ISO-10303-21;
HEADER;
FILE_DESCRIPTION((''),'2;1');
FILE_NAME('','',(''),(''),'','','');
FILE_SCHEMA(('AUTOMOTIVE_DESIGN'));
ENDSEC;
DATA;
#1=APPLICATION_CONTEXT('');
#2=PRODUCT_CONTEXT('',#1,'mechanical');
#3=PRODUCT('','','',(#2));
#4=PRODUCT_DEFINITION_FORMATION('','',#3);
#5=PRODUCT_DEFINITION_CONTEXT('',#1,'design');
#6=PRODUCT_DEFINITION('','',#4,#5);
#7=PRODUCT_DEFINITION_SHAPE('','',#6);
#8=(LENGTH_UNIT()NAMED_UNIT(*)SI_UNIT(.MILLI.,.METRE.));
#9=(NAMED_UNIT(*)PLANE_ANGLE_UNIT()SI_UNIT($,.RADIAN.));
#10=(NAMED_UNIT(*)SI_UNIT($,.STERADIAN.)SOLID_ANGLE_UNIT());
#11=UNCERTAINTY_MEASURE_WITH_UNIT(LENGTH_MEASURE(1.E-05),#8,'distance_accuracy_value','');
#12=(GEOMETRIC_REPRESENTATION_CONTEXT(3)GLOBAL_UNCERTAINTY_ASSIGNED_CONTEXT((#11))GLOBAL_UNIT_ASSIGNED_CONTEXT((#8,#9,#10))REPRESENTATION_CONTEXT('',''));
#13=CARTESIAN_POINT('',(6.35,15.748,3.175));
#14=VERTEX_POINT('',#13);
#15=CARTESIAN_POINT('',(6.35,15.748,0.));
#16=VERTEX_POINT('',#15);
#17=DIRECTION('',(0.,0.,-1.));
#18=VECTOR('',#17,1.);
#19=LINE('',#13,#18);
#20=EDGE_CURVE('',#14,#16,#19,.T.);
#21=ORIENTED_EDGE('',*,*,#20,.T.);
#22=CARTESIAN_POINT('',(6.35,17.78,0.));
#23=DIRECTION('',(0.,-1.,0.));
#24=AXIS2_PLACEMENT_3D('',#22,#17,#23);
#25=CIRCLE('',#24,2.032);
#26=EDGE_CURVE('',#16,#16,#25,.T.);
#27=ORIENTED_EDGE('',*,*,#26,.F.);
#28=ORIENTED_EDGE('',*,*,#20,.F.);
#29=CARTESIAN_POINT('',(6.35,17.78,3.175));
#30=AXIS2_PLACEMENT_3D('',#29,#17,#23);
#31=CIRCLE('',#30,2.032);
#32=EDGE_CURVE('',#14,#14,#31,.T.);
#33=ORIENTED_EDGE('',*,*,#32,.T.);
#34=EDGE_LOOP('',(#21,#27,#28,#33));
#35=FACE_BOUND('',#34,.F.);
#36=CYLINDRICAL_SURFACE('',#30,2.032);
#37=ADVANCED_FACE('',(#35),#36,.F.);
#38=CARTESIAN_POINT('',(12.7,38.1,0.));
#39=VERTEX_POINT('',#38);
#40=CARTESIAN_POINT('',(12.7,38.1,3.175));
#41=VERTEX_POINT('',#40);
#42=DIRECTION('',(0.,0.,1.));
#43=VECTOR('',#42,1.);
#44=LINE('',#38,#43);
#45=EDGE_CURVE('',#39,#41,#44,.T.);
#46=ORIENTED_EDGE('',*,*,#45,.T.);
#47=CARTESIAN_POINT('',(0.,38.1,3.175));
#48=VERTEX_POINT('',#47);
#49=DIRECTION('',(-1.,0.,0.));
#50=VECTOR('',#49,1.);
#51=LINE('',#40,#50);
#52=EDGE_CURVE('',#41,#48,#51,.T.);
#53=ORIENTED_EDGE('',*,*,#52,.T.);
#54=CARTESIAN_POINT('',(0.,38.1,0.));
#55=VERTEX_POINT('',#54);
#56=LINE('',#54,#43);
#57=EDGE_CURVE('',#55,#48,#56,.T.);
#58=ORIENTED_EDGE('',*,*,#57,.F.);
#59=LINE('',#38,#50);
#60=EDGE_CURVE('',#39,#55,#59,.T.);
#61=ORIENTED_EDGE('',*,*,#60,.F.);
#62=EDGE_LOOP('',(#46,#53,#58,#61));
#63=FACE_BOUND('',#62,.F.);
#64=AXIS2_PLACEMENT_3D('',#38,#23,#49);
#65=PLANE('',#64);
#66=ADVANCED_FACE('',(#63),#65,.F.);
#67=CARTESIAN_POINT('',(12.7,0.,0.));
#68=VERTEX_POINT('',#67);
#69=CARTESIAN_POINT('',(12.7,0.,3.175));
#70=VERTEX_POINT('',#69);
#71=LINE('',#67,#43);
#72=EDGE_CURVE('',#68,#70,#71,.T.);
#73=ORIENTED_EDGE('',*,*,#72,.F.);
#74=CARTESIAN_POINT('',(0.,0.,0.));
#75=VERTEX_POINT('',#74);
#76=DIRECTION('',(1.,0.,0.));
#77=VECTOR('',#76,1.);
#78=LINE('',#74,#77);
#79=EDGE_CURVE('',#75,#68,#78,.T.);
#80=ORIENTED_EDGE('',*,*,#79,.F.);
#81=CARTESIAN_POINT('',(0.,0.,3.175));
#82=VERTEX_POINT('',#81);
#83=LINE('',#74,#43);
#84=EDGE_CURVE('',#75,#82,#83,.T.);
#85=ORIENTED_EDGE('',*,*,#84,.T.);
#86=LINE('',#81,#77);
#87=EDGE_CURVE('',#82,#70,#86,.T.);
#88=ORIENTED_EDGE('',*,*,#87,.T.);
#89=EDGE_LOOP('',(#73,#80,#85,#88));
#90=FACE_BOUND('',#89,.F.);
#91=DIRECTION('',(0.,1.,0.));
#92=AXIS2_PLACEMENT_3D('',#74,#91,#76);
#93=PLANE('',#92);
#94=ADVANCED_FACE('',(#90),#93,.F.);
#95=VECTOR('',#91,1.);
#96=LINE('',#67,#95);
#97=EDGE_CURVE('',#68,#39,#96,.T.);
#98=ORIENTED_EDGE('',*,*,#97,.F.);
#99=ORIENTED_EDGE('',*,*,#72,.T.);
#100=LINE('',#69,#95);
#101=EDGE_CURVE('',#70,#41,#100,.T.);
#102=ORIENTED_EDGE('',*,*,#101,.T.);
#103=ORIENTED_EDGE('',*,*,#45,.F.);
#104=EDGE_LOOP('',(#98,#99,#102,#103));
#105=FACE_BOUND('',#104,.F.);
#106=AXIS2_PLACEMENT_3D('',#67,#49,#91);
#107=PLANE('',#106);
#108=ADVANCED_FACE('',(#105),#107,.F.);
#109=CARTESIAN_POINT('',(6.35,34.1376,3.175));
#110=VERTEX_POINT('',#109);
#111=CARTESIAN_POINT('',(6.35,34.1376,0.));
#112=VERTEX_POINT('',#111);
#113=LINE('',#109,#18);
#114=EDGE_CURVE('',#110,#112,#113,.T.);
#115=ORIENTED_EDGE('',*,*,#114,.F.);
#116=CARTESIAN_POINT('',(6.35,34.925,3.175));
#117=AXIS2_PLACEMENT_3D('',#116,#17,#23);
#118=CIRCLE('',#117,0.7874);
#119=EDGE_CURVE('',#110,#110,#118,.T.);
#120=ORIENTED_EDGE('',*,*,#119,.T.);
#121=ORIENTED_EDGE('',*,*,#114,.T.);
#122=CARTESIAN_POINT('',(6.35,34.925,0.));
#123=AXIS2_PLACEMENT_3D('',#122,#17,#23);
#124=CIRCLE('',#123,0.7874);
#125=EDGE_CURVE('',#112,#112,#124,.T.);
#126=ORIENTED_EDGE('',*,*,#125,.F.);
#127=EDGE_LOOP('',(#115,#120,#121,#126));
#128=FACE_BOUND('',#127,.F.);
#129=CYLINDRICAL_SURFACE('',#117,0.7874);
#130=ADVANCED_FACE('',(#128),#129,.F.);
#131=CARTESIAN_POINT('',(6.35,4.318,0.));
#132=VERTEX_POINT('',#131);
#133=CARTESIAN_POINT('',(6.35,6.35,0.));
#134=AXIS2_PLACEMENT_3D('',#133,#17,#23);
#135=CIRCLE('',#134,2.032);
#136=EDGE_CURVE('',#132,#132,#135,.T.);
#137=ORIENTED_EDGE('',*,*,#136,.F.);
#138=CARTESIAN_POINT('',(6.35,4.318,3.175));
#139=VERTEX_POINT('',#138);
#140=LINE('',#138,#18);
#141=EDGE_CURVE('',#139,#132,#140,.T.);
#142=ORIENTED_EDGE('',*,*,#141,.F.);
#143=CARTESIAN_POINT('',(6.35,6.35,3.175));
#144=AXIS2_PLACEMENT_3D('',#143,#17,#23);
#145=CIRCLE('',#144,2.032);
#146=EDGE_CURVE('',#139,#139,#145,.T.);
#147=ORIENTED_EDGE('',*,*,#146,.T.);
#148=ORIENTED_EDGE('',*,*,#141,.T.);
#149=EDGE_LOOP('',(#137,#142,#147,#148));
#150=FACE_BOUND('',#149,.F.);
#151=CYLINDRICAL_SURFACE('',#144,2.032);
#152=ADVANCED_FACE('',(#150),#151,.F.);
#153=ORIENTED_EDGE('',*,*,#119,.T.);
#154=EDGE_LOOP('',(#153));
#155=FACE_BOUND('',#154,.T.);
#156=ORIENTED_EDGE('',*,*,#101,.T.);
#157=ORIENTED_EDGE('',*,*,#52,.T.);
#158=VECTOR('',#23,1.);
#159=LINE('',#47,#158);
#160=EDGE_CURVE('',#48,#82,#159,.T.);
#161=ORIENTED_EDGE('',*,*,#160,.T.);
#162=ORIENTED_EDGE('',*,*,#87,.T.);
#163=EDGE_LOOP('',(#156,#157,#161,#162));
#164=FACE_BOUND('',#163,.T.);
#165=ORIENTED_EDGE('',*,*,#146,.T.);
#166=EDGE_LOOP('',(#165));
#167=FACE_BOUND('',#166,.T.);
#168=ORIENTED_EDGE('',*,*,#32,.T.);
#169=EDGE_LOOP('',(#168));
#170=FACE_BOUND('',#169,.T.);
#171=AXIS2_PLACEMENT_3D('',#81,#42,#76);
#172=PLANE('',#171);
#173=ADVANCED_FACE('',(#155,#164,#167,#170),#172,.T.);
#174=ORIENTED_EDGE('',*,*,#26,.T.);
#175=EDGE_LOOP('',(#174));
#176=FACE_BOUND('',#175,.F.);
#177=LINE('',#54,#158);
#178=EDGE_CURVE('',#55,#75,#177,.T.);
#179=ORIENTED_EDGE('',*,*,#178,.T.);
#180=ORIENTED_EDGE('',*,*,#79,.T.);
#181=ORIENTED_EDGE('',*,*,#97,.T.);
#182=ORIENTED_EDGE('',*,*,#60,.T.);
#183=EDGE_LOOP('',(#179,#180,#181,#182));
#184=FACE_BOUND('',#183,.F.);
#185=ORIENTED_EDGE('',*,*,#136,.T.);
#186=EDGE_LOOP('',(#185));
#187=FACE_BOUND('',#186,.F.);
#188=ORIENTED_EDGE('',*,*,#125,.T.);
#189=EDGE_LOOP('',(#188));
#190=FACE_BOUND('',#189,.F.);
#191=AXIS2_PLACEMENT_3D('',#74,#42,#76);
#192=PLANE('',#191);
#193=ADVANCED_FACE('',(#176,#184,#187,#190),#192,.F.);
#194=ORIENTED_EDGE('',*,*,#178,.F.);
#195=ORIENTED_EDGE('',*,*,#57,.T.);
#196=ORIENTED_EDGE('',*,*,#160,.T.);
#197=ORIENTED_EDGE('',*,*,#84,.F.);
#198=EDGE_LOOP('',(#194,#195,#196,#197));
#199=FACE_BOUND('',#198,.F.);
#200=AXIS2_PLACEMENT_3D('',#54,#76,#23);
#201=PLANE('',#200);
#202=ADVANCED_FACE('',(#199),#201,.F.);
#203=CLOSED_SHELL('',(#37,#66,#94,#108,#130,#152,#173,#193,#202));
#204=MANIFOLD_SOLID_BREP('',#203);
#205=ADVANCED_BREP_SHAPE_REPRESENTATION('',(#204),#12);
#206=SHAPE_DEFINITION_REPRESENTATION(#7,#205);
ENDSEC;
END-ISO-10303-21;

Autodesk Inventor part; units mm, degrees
ref_plane "YZ Plane" through (0, 0, 0) normal (1, 0, 0) x (0, 1, 0)
ref_plane "XZ Plane" through (0, 0, 0) normal (0, 1, 0) x (-1, 0, 0)
ref_plane "XY Plane" through (0, 0, 0) normal (0, 0, 1) x (1, 0, 0)
sketch "Sketch1" plane through (0, 0, 0) normal (0, 0, 1) x (1, 0, 0)
  line L0 (0, 0) -> (12.7, 0)
  line L1 (12.7, 0) -> (12.7, 38.1)
  line L2 (12.7, 38.1) -> (0, 38.1)
  line L3 (0, 38.1) -> (0, 0)
  dimension "d0" = 12.7
  dimension "d1" = 38.1
extrude "Extrusion1" add sketch "Sketch1" along normal blind 3.175
sketch "Sketch2" plane through (0, 0, 3.175) normal (0, 0, 1) x (1, 0, 0)
  line L0 (0, 34.925) -> (6.35, 34.925)
  line L1 (12.7, 38.1) -> (0, 38.1) projected
  point P0 (6.35, 4.445)
  dimension "d23" = 3.175
hole "Hole1" at (6.35, 34.925, 3.175) direction (0, 0, -1) diameter 1.5748 end through all
sketch "Sketch3" plane through (0, 0, 3.175) normal (0, 0, 1) x (1, 0, 0)
  line L0 (12.7, 0) -> (12.7, 38.1) projected
  line L1 (0, 0) -> (12.7, 0) projected
  line L2 (0, 38.1) -> (0, 0) projected
  line L3 (0, 6.35) -> (6.35, 6.35)
  line L4 (6.35, 6.35) -> (6.35, 17.78)
  dimension "d24" = 6.35
  dimension "d25" = 6.35
  dimension "d26" = 11.43
hole "Hole3" at (6.35, 6.35, 3.175) at (6.35, 17.78, 3.175) direction (0, 0, -1) diameter 4.064 depth 25.4 tip angle 118
properties part number "ShoulderScrewHolderSlide"
